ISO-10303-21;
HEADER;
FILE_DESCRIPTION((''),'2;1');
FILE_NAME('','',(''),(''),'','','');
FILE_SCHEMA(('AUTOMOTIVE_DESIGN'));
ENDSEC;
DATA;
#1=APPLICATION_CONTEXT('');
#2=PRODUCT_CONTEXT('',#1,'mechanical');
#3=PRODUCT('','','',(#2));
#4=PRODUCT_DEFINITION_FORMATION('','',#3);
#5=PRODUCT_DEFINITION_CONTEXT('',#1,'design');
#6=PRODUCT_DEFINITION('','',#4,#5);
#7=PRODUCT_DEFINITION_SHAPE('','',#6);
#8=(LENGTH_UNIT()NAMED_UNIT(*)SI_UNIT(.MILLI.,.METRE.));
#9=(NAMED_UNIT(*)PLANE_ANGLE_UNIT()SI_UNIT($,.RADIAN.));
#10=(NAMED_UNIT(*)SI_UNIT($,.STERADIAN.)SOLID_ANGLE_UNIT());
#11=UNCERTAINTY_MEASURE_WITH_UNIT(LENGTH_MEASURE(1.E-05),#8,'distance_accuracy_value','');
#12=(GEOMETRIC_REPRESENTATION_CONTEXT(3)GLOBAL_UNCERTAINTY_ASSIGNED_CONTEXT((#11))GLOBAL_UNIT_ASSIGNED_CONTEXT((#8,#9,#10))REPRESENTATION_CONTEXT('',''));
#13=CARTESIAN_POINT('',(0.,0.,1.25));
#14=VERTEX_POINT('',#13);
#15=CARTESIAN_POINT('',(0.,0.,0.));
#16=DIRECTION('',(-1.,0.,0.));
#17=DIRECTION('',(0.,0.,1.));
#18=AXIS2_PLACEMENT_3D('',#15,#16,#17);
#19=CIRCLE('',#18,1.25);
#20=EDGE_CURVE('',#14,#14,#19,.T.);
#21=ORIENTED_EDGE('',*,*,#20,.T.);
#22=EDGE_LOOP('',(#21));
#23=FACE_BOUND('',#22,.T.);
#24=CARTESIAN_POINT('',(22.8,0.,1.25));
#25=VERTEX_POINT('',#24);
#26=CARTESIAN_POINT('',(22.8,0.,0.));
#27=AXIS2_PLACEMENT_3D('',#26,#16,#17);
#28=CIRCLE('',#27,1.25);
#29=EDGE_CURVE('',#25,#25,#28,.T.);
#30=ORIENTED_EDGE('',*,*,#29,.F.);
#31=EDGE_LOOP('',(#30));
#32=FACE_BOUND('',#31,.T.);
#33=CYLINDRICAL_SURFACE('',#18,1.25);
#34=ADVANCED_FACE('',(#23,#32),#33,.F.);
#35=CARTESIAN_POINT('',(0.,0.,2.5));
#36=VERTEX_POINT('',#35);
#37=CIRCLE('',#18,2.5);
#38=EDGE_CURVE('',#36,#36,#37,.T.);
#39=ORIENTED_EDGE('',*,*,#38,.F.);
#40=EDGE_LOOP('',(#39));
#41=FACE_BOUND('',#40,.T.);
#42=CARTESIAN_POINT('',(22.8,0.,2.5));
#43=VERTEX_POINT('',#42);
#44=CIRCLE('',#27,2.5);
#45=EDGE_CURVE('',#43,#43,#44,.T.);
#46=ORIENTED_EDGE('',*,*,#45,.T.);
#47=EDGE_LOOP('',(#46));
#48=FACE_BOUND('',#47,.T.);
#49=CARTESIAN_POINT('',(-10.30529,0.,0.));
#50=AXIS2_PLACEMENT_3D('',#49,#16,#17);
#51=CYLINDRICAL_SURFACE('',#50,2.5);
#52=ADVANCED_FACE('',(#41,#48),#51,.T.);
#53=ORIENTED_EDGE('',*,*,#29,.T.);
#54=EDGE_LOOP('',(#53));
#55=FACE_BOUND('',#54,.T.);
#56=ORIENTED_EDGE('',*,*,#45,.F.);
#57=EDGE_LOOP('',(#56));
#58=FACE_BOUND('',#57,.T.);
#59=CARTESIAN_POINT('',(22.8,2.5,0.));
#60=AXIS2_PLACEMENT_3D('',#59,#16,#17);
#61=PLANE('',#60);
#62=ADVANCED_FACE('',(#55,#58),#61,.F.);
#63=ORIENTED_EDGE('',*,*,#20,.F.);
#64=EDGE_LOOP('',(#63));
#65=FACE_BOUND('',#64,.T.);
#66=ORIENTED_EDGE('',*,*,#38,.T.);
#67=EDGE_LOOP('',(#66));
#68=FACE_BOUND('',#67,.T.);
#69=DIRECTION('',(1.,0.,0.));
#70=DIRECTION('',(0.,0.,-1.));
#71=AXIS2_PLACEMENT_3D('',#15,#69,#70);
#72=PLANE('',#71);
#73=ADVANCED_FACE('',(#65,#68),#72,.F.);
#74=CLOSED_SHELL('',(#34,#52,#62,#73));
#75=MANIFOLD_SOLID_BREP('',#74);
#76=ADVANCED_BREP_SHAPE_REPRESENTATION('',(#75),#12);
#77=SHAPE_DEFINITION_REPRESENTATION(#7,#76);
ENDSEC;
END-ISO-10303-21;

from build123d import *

# Parameters (mm, degrees)
SKETCH1_W             = 22.8
SKETCH1_H             = 2.5
M3X0_5_TAPPED_HOLE1_D = 2.5


with BuildPart() as part:
    # Sketch1 → Revolve1 (revolve)
    with BuildSketch(Plane.XY):
        with Locations((11.4, 1.25)):
            Rectangle(SKETCH1_W, SKETCH1_H)
    revolve(axis=Axis((-10.305290241, 0, 0), (1, 0, 0)))

    # M3x0.5 Tapped Hole1 (through all)
    with Locations(Plane.ZY):
        with Locations((0, 0)):
            Hole(M3X0_5_TAPPED_HOLE1_D / 2)


solid = part.part
